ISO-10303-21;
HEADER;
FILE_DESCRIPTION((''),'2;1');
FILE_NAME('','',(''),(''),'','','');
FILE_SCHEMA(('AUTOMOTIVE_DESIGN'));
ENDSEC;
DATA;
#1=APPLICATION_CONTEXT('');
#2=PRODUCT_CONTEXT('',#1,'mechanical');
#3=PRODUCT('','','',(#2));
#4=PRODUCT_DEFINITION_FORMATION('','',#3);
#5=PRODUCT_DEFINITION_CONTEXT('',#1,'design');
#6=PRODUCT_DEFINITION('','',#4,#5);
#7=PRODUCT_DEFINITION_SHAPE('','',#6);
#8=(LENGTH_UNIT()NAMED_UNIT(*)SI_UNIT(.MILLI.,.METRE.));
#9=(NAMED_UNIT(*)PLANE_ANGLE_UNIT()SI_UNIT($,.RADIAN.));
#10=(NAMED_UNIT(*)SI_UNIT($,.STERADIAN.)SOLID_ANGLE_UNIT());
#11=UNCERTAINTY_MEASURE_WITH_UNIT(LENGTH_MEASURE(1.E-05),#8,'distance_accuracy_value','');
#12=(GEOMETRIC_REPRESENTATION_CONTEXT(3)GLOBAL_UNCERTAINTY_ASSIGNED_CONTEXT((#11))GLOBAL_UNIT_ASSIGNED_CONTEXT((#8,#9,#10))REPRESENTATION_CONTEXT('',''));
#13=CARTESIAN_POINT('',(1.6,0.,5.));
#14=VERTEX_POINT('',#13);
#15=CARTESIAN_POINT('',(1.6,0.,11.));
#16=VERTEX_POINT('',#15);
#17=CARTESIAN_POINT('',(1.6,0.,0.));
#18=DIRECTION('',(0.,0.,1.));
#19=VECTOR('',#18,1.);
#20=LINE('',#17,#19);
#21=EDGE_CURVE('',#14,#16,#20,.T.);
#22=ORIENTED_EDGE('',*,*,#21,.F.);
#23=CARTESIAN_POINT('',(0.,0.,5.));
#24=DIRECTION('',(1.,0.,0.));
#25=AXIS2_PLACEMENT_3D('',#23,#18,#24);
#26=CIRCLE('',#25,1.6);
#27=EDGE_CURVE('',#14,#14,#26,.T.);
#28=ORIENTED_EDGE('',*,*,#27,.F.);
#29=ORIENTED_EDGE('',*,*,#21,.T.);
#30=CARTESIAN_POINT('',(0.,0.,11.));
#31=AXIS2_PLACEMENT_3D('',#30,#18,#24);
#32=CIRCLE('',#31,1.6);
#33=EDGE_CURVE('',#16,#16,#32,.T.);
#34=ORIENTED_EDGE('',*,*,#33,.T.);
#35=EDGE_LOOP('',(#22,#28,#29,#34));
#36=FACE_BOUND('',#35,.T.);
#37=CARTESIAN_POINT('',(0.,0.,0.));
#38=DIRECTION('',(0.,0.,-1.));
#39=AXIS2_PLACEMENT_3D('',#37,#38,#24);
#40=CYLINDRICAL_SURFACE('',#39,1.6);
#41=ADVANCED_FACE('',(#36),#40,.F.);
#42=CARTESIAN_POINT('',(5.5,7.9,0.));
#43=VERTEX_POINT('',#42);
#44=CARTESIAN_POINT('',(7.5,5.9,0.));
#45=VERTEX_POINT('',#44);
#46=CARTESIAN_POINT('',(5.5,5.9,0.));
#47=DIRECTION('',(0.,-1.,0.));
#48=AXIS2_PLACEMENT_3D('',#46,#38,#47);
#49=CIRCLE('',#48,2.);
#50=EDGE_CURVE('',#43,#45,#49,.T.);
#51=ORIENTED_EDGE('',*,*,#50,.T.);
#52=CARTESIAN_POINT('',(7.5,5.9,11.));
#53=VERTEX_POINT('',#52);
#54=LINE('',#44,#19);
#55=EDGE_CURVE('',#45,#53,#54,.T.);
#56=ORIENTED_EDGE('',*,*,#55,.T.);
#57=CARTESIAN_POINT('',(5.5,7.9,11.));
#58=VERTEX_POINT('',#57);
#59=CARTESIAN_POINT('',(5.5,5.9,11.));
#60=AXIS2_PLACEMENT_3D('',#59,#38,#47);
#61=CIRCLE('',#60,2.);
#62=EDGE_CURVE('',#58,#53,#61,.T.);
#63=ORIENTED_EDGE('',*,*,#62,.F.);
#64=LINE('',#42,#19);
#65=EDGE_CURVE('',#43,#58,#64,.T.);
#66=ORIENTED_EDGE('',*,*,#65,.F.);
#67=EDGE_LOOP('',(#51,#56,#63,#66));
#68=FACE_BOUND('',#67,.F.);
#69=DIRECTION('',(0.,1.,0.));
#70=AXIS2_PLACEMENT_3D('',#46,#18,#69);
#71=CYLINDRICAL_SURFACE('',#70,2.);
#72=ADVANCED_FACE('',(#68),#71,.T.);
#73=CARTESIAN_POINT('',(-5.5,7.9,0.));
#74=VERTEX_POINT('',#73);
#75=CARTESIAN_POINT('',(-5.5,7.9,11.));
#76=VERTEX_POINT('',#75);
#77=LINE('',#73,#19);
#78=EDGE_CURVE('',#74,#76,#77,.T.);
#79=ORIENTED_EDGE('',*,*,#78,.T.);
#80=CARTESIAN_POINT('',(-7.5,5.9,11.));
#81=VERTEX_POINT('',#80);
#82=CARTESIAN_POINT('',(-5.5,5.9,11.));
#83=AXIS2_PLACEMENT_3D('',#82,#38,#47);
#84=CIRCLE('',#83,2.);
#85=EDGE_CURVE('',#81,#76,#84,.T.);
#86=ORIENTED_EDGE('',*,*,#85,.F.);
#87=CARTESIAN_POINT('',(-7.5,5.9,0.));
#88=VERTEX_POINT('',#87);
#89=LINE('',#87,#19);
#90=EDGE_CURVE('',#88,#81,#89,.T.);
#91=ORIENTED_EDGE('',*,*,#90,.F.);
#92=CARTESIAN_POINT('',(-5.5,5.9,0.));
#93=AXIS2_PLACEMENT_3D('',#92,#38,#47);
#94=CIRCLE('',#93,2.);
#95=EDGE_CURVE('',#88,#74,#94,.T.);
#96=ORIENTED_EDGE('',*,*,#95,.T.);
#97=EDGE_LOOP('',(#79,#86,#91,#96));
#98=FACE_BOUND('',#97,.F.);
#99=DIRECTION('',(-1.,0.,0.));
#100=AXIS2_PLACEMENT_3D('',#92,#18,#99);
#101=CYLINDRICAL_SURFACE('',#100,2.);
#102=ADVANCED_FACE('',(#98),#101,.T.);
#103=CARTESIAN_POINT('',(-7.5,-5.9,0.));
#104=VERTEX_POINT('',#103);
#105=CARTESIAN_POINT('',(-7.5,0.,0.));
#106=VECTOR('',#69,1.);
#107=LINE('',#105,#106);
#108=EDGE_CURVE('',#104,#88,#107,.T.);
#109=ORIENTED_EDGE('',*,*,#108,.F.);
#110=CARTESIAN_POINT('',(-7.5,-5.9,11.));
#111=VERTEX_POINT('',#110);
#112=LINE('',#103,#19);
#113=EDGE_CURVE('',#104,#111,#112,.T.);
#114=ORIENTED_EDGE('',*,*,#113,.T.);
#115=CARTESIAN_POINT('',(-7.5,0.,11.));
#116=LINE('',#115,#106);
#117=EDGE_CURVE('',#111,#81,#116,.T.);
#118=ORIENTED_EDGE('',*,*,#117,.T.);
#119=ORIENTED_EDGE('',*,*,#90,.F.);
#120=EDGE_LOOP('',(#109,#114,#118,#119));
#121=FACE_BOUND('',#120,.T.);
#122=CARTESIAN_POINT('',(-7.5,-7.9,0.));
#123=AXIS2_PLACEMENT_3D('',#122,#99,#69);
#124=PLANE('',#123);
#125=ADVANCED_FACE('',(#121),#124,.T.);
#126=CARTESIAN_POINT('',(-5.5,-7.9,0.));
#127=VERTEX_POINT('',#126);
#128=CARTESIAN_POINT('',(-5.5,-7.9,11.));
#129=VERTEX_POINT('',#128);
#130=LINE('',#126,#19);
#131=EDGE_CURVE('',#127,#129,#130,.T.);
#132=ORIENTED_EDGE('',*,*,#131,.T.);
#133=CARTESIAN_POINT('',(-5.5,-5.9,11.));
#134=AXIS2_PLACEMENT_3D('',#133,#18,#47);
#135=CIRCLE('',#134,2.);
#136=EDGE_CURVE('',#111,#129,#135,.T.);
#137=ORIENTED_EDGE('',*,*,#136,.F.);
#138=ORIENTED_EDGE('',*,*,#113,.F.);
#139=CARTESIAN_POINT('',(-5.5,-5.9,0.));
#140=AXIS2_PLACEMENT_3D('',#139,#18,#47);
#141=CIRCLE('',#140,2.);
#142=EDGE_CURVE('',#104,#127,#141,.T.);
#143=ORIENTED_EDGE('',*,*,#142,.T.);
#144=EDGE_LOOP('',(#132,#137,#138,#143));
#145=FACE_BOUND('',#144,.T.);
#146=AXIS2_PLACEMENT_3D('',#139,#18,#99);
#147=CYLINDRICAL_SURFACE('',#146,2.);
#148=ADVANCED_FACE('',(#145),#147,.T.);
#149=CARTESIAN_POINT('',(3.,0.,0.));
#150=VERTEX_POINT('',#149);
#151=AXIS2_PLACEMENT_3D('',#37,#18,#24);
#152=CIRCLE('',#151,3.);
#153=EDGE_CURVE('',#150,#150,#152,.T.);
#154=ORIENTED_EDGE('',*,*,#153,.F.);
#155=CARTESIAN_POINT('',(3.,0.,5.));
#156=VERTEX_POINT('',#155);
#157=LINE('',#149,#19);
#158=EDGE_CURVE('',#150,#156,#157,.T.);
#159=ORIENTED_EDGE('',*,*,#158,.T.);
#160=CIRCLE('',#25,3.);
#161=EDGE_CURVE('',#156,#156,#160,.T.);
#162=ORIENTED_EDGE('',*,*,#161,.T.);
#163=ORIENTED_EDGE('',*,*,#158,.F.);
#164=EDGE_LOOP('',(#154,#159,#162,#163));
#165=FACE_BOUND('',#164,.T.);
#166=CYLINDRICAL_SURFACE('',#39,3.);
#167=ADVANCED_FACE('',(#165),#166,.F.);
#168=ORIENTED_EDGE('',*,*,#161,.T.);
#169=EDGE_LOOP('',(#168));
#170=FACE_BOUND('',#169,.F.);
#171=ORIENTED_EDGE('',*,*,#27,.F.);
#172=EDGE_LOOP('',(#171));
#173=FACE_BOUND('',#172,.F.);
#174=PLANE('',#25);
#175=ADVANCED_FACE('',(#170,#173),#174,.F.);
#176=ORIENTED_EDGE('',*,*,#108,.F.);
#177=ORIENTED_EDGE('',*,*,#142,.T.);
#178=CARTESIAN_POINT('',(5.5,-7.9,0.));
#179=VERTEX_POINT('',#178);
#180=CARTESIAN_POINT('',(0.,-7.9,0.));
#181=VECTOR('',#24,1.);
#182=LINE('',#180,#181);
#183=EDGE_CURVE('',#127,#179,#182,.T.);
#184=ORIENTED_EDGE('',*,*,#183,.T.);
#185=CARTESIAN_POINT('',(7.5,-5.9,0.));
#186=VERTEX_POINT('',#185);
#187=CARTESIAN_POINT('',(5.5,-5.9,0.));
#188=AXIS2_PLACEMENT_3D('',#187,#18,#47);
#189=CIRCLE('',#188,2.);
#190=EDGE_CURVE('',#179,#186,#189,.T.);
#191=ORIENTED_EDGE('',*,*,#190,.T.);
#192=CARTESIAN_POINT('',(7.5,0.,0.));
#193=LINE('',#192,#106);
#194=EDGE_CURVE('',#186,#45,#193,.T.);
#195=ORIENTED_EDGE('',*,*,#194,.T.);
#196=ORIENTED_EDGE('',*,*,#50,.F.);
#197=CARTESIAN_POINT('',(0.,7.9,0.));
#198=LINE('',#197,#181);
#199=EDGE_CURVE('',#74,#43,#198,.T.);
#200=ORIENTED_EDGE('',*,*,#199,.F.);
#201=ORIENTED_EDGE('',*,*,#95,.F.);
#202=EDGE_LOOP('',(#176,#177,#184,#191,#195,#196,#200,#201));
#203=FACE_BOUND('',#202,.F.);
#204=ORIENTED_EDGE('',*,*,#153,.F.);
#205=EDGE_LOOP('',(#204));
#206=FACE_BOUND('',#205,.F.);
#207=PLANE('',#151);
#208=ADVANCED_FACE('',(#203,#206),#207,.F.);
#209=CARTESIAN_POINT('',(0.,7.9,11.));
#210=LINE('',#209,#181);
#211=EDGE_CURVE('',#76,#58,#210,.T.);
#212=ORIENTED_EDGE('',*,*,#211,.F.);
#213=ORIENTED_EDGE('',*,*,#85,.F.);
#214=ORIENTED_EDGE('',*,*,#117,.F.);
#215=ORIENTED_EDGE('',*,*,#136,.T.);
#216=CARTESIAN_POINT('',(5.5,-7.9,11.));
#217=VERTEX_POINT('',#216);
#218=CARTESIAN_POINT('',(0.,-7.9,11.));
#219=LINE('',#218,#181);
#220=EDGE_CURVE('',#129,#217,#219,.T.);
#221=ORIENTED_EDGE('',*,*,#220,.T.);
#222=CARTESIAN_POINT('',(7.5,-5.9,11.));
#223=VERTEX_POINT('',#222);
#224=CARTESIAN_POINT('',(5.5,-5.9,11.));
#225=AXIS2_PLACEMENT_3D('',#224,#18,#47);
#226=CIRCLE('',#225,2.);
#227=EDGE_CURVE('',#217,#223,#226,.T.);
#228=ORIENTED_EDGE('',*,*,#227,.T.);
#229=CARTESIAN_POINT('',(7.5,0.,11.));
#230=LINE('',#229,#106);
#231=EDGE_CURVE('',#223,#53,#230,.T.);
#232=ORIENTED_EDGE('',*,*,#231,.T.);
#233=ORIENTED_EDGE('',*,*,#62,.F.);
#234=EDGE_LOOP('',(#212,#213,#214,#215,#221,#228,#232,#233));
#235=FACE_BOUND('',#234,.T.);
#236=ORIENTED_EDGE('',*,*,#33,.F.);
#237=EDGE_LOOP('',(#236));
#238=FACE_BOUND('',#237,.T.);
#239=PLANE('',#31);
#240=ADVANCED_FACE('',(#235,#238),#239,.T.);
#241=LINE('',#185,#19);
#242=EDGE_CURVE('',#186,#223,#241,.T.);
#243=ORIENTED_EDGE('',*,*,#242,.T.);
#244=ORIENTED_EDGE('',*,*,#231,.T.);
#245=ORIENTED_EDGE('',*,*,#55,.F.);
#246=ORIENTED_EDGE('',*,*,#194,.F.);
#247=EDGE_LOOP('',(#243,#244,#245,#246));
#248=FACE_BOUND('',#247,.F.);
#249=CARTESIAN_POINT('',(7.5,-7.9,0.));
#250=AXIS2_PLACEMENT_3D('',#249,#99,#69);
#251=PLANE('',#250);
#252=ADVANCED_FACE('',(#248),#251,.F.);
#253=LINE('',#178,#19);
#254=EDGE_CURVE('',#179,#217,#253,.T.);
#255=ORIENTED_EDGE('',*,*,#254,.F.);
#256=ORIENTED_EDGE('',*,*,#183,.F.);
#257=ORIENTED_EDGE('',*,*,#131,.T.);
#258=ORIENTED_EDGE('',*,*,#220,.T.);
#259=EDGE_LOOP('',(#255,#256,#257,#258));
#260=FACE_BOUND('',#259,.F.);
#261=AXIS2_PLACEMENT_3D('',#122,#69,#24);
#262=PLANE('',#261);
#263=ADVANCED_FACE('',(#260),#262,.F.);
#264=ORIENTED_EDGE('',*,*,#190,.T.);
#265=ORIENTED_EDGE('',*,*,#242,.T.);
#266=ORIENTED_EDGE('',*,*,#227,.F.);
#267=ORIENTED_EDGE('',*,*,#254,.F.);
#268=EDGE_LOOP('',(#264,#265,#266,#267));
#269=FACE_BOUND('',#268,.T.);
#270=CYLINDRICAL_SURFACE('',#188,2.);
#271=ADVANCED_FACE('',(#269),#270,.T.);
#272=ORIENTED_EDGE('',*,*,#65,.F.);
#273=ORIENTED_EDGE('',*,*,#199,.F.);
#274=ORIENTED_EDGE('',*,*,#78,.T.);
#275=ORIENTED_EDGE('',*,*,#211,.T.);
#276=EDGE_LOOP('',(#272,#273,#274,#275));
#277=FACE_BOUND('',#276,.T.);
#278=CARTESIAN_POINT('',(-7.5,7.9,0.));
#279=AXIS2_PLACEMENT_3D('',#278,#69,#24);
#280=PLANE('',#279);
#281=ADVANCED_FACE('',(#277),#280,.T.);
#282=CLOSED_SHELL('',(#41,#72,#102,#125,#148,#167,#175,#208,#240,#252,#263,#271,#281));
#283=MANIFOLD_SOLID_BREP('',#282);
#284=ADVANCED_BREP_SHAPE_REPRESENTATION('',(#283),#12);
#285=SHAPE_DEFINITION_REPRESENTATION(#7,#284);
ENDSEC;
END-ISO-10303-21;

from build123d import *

# Parameters (mm, degrees)
F0_W     = 15
F0_H     = 15.8
F0_R     = 3
F0_R_2   = 1.6
F1_DEPTH = 11
F2_DEPTH = 5
F3_R     = 2


with BuildPart() as f1:
    # F0 (on Top) → F1 (new body)
    with BuildSketch(Plane.XY):
        Rectangle(F0_W, F0_H)
        Circle(F0_R, mode=Mode.SUBTRACT)
        Circle(F0_R)
        Circle(F0_R_2, mode=Mode.SUBTRACT)
    extrude(amount=F1_DEPTH)

    # F0 (on Top) → F2 (cut)
    with BuildSketch(Plane.XY):
        Circle(F0_R)
        Circle(F0_R_2, mode=Mode.SUBTRACT)
    extrude(amount=F2_DEPTH, mode=Mode.SUBTRACT)

    # F3
    f3_edges = [f1.edges().sort_by_distance(p)[0] for p in [
        (-7.5, 7.9, 5.5),
        (-7.5, -7.9, 5.5),
        (7.5, -7.9, 5.5),
        (7.5, 7.9, 5.5),
    ]]
    fillet(f3_edges, radius=F3_R)


solid = f1.part
